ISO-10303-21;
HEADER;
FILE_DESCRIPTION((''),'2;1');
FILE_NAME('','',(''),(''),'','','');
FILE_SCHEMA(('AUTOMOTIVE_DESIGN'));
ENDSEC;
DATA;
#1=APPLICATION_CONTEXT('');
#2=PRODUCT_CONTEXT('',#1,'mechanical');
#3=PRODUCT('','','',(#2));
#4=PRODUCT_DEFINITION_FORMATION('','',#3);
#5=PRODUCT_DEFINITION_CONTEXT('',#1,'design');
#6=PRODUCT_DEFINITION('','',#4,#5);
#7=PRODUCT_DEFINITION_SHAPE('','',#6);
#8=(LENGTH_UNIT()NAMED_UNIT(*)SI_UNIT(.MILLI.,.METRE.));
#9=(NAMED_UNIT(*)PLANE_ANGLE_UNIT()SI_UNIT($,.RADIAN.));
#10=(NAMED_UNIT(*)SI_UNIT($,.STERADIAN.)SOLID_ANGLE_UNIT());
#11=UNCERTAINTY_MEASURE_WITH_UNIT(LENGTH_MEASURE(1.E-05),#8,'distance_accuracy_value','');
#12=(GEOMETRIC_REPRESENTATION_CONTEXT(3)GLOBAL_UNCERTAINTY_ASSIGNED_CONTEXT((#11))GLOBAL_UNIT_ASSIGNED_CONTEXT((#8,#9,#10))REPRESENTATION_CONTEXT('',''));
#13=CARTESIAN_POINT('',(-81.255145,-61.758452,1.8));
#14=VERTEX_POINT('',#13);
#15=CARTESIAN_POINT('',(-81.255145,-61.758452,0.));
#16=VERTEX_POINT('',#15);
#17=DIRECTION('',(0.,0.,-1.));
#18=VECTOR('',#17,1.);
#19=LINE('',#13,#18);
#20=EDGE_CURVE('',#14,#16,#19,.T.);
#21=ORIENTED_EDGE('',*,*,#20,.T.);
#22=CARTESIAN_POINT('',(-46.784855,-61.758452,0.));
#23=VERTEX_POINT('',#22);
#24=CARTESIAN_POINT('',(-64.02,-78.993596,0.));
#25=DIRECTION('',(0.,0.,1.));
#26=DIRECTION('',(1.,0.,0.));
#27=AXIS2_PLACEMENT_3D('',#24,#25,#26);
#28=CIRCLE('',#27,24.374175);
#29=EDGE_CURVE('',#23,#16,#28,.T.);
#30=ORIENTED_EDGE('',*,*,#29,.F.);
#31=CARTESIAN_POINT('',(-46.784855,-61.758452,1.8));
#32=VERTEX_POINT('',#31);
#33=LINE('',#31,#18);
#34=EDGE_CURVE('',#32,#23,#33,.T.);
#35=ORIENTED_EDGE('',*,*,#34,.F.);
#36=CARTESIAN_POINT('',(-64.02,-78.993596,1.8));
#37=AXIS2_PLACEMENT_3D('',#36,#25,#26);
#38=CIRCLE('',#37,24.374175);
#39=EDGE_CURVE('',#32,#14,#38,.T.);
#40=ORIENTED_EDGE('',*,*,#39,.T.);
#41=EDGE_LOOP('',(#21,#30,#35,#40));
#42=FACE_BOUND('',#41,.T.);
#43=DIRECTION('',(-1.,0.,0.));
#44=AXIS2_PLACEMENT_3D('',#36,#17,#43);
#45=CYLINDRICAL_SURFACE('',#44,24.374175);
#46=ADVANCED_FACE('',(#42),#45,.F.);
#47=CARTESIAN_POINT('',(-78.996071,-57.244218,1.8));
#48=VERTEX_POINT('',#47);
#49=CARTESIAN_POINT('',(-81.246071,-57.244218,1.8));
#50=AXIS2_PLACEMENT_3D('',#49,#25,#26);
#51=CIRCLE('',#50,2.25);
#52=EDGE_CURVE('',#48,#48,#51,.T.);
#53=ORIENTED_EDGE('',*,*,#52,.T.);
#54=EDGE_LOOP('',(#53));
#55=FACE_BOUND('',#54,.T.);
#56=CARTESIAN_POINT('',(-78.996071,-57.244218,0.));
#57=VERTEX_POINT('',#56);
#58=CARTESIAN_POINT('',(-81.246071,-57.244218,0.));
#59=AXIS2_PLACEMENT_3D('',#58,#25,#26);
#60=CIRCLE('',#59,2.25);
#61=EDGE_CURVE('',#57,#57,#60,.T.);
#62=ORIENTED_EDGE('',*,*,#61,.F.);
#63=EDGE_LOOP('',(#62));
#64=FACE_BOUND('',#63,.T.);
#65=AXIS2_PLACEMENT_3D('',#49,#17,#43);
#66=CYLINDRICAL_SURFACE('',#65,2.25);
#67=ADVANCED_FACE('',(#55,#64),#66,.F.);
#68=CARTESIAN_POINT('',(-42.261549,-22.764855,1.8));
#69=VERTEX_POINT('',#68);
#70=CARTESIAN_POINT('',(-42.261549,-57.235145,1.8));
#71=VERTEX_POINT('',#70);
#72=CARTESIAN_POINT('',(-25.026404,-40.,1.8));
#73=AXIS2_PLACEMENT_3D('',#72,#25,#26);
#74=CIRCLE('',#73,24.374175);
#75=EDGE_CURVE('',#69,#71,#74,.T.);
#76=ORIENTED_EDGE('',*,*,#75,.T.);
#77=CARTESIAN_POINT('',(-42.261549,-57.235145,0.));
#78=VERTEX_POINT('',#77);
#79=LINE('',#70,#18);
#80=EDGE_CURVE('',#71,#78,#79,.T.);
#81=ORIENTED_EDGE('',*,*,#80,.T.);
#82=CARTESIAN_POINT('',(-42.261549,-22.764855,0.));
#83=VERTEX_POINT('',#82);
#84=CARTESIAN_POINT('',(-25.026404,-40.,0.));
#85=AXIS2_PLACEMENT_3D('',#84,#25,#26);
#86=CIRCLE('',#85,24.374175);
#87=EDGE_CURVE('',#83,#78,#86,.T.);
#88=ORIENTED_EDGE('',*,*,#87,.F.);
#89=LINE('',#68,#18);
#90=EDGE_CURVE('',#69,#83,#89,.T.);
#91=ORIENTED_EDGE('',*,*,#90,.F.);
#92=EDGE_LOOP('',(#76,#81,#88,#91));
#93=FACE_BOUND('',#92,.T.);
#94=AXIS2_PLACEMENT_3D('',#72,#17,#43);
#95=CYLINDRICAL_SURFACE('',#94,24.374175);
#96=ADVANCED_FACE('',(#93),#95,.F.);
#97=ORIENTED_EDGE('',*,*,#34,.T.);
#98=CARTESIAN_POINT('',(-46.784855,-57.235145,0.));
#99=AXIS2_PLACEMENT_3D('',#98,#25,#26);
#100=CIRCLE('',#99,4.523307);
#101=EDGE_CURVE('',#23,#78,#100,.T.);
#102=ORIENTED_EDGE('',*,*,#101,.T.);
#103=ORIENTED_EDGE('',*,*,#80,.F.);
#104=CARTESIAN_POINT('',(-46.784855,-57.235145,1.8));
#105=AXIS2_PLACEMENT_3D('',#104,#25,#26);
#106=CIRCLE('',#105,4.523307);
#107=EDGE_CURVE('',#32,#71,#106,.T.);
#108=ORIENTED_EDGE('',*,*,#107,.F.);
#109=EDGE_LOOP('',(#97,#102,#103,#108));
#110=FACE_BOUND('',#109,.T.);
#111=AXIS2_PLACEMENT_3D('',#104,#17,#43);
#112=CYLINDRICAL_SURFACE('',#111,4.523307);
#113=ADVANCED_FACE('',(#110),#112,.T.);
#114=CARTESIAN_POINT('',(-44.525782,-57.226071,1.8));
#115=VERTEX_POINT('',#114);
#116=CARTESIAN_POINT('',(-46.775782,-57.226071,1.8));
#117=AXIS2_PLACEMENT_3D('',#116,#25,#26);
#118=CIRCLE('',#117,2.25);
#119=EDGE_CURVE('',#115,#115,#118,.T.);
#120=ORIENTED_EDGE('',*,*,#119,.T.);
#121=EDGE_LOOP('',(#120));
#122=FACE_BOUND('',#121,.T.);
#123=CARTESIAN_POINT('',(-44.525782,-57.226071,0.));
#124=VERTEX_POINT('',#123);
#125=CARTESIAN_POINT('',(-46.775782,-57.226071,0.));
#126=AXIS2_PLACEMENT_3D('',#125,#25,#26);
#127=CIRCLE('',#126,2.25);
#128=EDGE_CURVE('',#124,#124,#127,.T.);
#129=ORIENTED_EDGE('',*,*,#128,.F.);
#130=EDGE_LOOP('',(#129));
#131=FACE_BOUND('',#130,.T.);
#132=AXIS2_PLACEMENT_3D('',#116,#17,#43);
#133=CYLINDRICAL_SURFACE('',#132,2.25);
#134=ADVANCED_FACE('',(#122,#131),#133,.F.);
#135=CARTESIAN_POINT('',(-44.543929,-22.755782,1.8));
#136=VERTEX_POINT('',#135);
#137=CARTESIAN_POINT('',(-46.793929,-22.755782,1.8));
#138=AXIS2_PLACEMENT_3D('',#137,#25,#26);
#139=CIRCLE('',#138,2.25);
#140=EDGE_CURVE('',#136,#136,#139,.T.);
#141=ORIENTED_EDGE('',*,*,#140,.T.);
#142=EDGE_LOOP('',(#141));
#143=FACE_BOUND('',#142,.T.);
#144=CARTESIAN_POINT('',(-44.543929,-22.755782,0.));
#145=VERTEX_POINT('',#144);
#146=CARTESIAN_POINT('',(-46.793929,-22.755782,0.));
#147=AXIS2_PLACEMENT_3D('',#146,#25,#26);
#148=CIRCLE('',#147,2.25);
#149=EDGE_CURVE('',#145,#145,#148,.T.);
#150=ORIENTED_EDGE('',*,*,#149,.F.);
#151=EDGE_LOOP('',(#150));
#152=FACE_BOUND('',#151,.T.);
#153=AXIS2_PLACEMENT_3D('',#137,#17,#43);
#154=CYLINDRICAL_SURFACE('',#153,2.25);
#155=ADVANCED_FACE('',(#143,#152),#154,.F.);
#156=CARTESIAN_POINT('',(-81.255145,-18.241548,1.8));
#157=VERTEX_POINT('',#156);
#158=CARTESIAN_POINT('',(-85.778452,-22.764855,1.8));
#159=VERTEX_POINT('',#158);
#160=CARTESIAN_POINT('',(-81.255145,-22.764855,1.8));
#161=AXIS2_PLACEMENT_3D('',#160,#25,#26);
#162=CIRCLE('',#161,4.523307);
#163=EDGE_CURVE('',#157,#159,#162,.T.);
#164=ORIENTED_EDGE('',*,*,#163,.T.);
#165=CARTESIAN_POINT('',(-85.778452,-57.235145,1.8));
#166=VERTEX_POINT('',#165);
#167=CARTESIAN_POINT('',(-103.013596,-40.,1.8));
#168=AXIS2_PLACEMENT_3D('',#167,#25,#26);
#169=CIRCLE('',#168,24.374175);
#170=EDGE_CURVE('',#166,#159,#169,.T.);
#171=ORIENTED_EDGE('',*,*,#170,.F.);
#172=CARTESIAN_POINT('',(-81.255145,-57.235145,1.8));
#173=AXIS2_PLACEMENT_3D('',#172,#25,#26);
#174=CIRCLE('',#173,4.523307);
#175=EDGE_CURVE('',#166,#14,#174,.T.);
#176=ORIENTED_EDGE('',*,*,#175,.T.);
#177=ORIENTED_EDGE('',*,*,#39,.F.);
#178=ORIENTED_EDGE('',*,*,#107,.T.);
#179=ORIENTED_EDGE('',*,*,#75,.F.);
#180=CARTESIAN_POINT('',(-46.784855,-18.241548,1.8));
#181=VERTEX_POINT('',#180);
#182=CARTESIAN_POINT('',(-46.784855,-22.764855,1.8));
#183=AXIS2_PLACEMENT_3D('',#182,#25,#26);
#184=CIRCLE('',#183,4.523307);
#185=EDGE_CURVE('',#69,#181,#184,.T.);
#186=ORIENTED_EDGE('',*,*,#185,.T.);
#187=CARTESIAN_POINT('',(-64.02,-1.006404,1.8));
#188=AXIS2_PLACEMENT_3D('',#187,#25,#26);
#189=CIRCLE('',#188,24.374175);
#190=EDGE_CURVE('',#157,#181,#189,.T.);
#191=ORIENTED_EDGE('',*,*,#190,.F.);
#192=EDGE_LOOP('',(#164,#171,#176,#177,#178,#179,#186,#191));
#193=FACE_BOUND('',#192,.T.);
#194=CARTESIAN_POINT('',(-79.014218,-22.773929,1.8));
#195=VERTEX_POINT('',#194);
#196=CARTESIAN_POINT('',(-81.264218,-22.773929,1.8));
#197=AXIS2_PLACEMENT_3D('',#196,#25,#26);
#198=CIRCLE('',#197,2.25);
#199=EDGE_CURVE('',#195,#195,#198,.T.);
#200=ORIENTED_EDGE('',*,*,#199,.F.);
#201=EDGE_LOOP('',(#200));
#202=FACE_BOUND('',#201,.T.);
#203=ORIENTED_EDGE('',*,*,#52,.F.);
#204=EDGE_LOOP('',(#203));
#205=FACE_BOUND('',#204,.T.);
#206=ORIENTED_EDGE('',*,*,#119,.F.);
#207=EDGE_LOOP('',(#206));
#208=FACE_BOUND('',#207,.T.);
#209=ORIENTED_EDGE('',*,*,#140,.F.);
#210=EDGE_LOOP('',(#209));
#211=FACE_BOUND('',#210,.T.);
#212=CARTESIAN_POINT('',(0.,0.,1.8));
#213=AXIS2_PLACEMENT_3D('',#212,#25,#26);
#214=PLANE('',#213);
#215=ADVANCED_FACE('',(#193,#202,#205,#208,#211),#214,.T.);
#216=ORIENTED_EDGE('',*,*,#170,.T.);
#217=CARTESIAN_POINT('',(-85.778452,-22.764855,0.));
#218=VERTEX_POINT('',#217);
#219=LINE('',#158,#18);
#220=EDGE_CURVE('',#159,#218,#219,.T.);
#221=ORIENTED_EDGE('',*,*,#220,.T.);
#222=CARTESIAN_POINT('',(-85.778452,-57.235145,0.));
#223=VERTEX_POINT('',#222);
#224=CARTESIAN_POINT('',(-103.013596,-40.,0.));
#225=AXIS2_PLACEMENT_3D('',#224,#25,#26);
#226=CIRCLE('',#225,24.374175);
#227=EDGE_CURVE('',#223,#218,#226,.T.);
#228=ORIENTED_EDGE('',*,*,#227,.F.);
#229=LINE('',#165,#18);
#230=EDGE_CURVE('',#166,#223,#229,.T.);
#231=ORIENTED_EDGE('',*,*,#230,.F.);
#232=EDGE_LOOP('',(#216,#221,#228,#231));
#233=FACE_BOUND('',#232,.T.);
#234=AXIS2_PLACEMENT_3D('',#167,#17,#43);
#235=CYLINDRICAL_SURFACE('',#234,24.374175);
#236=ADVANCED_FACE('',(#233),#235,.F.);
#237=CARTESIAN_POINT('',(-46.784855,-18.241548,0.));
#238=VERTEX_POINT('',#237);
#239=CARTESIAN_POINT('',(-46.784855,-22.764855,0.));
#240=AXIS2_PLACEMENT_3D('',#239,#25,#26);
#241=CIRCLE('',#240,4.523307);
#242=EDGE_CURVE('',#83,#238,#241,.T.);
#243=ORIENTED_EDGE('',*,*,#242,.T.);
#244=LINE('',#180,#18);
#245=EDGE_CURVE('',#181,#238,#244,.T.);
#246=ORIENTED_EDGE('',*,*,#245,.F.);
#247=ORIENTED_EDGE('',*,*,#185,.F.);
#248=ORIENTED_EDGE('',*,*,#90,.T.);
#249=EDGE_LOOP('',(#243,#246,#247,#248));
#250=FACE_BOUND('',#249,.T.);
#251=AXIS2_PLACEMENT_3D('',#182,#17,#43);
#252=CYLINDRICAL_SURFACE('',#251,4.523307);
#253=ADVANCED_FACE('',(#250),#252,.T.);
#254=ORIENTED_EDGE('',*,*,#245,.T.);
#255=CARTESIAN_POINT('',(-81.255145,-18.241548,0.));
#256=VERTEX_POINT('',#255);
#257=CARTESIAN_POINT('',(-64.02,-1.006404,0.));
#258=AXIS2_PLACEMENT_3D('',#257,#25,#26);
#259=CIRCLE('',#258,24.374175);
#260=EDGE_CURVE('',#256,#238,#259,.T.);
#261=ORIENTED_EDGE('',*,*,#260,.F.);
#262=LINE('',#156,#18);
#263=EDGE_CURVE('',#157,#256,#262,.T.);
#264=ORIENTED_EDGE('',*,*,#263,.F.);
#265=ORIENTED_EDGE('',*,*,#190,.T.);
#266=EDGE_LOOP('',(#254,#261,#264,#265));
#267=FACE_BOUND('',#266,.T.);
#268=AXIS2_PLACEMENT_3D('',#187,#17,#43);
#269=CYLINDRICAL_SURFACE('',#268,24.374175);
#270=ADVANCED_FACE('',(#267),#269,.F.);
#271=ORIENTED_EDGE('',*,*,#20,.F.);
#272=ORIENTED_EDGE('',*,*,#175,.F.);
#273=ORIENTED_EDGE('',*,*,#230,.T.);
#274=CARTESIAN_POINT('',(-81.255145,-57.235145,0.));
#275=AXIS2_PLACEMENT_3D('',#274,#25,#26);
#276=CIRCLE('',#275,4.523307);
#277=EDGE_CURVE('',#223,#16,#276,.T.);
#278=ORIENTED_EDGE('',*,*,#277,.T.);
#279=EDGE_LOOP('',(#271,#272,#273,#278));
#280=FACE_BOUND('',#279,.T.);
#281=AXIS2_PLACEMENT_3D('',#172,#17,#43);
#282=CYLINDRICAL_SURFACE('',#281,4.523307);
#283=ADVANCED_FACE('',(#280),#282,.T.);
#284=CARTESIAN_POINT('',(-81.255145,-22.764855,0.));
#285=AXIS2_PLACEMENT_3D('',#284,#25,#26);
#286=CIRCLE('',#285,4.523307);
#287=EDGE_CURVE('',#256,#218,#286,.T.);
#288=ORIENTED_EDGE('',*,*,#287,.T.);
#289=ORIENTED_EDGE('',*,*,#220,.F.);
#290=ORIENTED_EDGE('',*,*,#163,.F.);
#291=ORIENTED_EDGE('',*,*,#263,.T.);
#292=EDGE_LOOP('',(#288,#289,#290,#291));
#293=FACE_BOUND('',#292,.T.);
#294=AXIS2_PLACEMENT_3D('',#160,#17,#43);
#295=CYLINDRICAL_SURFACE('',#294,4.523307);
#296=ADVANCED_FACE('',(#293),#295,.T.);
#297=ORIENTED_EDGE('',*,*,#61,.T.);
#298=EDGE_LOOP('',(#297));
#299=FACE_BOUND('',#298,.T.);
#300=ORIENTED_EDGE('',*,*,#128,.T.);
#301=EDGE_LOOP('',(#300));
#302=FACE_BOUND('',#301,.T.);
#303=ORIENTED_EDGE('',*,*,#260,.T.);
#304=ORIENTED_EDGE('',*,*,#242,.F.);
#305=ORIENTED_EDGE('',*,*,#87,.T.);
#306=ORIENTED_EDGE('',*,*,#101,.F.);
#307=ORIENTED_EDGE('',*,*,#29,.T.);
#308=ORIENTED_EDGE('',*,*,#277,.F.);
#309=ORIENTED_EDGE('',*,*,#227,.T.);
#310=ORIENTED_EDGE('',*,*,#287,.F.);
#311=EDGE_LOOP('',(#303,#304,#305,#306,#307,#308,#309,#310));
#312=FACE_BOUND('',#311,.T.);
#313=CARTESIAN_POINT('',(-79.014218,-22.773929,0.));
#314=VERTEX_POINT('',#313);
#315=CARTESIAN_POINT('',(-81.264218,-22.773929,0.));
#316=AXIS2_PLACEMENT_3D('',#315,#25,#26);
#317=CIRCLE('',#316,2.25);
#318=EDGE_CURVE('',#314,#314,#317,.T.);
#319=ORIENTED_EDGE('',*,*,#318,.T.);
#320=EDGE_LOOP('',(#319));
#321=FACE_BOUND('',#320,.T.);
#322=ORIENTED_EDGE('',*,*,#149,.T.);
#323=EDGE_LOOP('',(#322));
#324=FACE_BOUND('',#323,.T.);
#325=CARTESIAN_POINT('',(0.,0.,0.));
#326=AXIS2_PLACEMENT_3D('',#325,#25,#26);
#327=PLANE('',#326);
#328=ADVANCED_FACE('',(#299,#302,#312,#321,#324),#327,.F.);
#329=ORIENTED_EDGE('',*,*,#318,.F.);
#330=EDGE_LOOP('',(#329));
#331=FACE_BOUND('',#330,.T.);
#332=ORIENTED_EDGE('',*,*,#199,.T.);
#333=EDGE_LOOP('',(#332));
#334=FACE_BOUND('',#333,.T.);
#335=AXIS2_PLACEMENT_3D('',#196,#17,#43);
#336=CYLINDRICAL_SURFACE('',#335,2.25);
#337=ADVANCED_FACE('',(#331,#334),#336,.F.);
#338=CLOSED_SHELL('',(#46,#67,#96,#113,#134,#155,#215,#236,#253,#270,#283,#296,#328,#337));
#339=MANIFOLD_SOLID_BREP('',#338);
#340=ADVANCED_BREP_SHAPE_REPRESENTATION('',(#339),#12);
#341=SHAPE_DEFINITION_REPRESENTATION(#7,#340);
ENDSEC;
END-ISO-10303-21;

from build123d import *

# Parameters (mm, degrees)
MODEL_R             = 2.25
BOSS_EXTRUDE1_DEPTH = 1.8


with BuildPart() as part:
    # Model → Boss-Extrude1 (new body)
    with BuildSketch(Plane.XY):
        with BuildLine():
            ThreePointArc((-81.255144817, -18.241548457), (-64.020000155, -25.380579125), (-46.784855492, -18.241548457))
            ThreePointArc((-46.784855492, -18.241548457), (-43.586394524, -19.566394369), (-42.261548612, -22.764855338))
            ThreePointArc((-42.261548612, -22.764855338), (-49.40057928, -40), (-42.261548612, -57.235144662))
            ThreePointArc((-42.261548612, -57.235144662), (-43.586394524, -60.433605631), (-46.784855493, -61.758451543))
            ThreePointArc((-46.784855493, -61.758451543), (-64.020000155, -54.619420875), (-81.255144817, -61.758451543))
            ThreePointArc((-81.255144817, -61.758451543), (-84.453605786, -60.433605631), (-85.778451698, -57.235144662))
            ThreePointArc((-85.778451698, -57.235144662), (-78.639421029, -40), (-85.778451698, -22.764855338))
            ThreePointArc((-85.778451698, -22.764855338), (-84.453605786, -19.566394369), (-81.255144817, -18.241548457))
        make_face()
        with Locations((-81.264218317, -22.773928838)):
            Circle(MODEL_R, mode=Mode.SUBTRACT)
        with Locations((-81.246071317, -57.244218163)):
            Circle(MODEL_R, mode=Mode.SUBTRACT)
        with Locations((-46.775781992, -57.226071162)):
            Circle(MODEL_R, mode=Mode.SUBTRACT)
        with Locations((-46.793928993, -22.755781837)):
            Circle(MODEL_R, mode=Mode.SUBTRACT)
    extrude(amount=BOSS_EXTRUDE1_DEPTH)


solid = part.part
